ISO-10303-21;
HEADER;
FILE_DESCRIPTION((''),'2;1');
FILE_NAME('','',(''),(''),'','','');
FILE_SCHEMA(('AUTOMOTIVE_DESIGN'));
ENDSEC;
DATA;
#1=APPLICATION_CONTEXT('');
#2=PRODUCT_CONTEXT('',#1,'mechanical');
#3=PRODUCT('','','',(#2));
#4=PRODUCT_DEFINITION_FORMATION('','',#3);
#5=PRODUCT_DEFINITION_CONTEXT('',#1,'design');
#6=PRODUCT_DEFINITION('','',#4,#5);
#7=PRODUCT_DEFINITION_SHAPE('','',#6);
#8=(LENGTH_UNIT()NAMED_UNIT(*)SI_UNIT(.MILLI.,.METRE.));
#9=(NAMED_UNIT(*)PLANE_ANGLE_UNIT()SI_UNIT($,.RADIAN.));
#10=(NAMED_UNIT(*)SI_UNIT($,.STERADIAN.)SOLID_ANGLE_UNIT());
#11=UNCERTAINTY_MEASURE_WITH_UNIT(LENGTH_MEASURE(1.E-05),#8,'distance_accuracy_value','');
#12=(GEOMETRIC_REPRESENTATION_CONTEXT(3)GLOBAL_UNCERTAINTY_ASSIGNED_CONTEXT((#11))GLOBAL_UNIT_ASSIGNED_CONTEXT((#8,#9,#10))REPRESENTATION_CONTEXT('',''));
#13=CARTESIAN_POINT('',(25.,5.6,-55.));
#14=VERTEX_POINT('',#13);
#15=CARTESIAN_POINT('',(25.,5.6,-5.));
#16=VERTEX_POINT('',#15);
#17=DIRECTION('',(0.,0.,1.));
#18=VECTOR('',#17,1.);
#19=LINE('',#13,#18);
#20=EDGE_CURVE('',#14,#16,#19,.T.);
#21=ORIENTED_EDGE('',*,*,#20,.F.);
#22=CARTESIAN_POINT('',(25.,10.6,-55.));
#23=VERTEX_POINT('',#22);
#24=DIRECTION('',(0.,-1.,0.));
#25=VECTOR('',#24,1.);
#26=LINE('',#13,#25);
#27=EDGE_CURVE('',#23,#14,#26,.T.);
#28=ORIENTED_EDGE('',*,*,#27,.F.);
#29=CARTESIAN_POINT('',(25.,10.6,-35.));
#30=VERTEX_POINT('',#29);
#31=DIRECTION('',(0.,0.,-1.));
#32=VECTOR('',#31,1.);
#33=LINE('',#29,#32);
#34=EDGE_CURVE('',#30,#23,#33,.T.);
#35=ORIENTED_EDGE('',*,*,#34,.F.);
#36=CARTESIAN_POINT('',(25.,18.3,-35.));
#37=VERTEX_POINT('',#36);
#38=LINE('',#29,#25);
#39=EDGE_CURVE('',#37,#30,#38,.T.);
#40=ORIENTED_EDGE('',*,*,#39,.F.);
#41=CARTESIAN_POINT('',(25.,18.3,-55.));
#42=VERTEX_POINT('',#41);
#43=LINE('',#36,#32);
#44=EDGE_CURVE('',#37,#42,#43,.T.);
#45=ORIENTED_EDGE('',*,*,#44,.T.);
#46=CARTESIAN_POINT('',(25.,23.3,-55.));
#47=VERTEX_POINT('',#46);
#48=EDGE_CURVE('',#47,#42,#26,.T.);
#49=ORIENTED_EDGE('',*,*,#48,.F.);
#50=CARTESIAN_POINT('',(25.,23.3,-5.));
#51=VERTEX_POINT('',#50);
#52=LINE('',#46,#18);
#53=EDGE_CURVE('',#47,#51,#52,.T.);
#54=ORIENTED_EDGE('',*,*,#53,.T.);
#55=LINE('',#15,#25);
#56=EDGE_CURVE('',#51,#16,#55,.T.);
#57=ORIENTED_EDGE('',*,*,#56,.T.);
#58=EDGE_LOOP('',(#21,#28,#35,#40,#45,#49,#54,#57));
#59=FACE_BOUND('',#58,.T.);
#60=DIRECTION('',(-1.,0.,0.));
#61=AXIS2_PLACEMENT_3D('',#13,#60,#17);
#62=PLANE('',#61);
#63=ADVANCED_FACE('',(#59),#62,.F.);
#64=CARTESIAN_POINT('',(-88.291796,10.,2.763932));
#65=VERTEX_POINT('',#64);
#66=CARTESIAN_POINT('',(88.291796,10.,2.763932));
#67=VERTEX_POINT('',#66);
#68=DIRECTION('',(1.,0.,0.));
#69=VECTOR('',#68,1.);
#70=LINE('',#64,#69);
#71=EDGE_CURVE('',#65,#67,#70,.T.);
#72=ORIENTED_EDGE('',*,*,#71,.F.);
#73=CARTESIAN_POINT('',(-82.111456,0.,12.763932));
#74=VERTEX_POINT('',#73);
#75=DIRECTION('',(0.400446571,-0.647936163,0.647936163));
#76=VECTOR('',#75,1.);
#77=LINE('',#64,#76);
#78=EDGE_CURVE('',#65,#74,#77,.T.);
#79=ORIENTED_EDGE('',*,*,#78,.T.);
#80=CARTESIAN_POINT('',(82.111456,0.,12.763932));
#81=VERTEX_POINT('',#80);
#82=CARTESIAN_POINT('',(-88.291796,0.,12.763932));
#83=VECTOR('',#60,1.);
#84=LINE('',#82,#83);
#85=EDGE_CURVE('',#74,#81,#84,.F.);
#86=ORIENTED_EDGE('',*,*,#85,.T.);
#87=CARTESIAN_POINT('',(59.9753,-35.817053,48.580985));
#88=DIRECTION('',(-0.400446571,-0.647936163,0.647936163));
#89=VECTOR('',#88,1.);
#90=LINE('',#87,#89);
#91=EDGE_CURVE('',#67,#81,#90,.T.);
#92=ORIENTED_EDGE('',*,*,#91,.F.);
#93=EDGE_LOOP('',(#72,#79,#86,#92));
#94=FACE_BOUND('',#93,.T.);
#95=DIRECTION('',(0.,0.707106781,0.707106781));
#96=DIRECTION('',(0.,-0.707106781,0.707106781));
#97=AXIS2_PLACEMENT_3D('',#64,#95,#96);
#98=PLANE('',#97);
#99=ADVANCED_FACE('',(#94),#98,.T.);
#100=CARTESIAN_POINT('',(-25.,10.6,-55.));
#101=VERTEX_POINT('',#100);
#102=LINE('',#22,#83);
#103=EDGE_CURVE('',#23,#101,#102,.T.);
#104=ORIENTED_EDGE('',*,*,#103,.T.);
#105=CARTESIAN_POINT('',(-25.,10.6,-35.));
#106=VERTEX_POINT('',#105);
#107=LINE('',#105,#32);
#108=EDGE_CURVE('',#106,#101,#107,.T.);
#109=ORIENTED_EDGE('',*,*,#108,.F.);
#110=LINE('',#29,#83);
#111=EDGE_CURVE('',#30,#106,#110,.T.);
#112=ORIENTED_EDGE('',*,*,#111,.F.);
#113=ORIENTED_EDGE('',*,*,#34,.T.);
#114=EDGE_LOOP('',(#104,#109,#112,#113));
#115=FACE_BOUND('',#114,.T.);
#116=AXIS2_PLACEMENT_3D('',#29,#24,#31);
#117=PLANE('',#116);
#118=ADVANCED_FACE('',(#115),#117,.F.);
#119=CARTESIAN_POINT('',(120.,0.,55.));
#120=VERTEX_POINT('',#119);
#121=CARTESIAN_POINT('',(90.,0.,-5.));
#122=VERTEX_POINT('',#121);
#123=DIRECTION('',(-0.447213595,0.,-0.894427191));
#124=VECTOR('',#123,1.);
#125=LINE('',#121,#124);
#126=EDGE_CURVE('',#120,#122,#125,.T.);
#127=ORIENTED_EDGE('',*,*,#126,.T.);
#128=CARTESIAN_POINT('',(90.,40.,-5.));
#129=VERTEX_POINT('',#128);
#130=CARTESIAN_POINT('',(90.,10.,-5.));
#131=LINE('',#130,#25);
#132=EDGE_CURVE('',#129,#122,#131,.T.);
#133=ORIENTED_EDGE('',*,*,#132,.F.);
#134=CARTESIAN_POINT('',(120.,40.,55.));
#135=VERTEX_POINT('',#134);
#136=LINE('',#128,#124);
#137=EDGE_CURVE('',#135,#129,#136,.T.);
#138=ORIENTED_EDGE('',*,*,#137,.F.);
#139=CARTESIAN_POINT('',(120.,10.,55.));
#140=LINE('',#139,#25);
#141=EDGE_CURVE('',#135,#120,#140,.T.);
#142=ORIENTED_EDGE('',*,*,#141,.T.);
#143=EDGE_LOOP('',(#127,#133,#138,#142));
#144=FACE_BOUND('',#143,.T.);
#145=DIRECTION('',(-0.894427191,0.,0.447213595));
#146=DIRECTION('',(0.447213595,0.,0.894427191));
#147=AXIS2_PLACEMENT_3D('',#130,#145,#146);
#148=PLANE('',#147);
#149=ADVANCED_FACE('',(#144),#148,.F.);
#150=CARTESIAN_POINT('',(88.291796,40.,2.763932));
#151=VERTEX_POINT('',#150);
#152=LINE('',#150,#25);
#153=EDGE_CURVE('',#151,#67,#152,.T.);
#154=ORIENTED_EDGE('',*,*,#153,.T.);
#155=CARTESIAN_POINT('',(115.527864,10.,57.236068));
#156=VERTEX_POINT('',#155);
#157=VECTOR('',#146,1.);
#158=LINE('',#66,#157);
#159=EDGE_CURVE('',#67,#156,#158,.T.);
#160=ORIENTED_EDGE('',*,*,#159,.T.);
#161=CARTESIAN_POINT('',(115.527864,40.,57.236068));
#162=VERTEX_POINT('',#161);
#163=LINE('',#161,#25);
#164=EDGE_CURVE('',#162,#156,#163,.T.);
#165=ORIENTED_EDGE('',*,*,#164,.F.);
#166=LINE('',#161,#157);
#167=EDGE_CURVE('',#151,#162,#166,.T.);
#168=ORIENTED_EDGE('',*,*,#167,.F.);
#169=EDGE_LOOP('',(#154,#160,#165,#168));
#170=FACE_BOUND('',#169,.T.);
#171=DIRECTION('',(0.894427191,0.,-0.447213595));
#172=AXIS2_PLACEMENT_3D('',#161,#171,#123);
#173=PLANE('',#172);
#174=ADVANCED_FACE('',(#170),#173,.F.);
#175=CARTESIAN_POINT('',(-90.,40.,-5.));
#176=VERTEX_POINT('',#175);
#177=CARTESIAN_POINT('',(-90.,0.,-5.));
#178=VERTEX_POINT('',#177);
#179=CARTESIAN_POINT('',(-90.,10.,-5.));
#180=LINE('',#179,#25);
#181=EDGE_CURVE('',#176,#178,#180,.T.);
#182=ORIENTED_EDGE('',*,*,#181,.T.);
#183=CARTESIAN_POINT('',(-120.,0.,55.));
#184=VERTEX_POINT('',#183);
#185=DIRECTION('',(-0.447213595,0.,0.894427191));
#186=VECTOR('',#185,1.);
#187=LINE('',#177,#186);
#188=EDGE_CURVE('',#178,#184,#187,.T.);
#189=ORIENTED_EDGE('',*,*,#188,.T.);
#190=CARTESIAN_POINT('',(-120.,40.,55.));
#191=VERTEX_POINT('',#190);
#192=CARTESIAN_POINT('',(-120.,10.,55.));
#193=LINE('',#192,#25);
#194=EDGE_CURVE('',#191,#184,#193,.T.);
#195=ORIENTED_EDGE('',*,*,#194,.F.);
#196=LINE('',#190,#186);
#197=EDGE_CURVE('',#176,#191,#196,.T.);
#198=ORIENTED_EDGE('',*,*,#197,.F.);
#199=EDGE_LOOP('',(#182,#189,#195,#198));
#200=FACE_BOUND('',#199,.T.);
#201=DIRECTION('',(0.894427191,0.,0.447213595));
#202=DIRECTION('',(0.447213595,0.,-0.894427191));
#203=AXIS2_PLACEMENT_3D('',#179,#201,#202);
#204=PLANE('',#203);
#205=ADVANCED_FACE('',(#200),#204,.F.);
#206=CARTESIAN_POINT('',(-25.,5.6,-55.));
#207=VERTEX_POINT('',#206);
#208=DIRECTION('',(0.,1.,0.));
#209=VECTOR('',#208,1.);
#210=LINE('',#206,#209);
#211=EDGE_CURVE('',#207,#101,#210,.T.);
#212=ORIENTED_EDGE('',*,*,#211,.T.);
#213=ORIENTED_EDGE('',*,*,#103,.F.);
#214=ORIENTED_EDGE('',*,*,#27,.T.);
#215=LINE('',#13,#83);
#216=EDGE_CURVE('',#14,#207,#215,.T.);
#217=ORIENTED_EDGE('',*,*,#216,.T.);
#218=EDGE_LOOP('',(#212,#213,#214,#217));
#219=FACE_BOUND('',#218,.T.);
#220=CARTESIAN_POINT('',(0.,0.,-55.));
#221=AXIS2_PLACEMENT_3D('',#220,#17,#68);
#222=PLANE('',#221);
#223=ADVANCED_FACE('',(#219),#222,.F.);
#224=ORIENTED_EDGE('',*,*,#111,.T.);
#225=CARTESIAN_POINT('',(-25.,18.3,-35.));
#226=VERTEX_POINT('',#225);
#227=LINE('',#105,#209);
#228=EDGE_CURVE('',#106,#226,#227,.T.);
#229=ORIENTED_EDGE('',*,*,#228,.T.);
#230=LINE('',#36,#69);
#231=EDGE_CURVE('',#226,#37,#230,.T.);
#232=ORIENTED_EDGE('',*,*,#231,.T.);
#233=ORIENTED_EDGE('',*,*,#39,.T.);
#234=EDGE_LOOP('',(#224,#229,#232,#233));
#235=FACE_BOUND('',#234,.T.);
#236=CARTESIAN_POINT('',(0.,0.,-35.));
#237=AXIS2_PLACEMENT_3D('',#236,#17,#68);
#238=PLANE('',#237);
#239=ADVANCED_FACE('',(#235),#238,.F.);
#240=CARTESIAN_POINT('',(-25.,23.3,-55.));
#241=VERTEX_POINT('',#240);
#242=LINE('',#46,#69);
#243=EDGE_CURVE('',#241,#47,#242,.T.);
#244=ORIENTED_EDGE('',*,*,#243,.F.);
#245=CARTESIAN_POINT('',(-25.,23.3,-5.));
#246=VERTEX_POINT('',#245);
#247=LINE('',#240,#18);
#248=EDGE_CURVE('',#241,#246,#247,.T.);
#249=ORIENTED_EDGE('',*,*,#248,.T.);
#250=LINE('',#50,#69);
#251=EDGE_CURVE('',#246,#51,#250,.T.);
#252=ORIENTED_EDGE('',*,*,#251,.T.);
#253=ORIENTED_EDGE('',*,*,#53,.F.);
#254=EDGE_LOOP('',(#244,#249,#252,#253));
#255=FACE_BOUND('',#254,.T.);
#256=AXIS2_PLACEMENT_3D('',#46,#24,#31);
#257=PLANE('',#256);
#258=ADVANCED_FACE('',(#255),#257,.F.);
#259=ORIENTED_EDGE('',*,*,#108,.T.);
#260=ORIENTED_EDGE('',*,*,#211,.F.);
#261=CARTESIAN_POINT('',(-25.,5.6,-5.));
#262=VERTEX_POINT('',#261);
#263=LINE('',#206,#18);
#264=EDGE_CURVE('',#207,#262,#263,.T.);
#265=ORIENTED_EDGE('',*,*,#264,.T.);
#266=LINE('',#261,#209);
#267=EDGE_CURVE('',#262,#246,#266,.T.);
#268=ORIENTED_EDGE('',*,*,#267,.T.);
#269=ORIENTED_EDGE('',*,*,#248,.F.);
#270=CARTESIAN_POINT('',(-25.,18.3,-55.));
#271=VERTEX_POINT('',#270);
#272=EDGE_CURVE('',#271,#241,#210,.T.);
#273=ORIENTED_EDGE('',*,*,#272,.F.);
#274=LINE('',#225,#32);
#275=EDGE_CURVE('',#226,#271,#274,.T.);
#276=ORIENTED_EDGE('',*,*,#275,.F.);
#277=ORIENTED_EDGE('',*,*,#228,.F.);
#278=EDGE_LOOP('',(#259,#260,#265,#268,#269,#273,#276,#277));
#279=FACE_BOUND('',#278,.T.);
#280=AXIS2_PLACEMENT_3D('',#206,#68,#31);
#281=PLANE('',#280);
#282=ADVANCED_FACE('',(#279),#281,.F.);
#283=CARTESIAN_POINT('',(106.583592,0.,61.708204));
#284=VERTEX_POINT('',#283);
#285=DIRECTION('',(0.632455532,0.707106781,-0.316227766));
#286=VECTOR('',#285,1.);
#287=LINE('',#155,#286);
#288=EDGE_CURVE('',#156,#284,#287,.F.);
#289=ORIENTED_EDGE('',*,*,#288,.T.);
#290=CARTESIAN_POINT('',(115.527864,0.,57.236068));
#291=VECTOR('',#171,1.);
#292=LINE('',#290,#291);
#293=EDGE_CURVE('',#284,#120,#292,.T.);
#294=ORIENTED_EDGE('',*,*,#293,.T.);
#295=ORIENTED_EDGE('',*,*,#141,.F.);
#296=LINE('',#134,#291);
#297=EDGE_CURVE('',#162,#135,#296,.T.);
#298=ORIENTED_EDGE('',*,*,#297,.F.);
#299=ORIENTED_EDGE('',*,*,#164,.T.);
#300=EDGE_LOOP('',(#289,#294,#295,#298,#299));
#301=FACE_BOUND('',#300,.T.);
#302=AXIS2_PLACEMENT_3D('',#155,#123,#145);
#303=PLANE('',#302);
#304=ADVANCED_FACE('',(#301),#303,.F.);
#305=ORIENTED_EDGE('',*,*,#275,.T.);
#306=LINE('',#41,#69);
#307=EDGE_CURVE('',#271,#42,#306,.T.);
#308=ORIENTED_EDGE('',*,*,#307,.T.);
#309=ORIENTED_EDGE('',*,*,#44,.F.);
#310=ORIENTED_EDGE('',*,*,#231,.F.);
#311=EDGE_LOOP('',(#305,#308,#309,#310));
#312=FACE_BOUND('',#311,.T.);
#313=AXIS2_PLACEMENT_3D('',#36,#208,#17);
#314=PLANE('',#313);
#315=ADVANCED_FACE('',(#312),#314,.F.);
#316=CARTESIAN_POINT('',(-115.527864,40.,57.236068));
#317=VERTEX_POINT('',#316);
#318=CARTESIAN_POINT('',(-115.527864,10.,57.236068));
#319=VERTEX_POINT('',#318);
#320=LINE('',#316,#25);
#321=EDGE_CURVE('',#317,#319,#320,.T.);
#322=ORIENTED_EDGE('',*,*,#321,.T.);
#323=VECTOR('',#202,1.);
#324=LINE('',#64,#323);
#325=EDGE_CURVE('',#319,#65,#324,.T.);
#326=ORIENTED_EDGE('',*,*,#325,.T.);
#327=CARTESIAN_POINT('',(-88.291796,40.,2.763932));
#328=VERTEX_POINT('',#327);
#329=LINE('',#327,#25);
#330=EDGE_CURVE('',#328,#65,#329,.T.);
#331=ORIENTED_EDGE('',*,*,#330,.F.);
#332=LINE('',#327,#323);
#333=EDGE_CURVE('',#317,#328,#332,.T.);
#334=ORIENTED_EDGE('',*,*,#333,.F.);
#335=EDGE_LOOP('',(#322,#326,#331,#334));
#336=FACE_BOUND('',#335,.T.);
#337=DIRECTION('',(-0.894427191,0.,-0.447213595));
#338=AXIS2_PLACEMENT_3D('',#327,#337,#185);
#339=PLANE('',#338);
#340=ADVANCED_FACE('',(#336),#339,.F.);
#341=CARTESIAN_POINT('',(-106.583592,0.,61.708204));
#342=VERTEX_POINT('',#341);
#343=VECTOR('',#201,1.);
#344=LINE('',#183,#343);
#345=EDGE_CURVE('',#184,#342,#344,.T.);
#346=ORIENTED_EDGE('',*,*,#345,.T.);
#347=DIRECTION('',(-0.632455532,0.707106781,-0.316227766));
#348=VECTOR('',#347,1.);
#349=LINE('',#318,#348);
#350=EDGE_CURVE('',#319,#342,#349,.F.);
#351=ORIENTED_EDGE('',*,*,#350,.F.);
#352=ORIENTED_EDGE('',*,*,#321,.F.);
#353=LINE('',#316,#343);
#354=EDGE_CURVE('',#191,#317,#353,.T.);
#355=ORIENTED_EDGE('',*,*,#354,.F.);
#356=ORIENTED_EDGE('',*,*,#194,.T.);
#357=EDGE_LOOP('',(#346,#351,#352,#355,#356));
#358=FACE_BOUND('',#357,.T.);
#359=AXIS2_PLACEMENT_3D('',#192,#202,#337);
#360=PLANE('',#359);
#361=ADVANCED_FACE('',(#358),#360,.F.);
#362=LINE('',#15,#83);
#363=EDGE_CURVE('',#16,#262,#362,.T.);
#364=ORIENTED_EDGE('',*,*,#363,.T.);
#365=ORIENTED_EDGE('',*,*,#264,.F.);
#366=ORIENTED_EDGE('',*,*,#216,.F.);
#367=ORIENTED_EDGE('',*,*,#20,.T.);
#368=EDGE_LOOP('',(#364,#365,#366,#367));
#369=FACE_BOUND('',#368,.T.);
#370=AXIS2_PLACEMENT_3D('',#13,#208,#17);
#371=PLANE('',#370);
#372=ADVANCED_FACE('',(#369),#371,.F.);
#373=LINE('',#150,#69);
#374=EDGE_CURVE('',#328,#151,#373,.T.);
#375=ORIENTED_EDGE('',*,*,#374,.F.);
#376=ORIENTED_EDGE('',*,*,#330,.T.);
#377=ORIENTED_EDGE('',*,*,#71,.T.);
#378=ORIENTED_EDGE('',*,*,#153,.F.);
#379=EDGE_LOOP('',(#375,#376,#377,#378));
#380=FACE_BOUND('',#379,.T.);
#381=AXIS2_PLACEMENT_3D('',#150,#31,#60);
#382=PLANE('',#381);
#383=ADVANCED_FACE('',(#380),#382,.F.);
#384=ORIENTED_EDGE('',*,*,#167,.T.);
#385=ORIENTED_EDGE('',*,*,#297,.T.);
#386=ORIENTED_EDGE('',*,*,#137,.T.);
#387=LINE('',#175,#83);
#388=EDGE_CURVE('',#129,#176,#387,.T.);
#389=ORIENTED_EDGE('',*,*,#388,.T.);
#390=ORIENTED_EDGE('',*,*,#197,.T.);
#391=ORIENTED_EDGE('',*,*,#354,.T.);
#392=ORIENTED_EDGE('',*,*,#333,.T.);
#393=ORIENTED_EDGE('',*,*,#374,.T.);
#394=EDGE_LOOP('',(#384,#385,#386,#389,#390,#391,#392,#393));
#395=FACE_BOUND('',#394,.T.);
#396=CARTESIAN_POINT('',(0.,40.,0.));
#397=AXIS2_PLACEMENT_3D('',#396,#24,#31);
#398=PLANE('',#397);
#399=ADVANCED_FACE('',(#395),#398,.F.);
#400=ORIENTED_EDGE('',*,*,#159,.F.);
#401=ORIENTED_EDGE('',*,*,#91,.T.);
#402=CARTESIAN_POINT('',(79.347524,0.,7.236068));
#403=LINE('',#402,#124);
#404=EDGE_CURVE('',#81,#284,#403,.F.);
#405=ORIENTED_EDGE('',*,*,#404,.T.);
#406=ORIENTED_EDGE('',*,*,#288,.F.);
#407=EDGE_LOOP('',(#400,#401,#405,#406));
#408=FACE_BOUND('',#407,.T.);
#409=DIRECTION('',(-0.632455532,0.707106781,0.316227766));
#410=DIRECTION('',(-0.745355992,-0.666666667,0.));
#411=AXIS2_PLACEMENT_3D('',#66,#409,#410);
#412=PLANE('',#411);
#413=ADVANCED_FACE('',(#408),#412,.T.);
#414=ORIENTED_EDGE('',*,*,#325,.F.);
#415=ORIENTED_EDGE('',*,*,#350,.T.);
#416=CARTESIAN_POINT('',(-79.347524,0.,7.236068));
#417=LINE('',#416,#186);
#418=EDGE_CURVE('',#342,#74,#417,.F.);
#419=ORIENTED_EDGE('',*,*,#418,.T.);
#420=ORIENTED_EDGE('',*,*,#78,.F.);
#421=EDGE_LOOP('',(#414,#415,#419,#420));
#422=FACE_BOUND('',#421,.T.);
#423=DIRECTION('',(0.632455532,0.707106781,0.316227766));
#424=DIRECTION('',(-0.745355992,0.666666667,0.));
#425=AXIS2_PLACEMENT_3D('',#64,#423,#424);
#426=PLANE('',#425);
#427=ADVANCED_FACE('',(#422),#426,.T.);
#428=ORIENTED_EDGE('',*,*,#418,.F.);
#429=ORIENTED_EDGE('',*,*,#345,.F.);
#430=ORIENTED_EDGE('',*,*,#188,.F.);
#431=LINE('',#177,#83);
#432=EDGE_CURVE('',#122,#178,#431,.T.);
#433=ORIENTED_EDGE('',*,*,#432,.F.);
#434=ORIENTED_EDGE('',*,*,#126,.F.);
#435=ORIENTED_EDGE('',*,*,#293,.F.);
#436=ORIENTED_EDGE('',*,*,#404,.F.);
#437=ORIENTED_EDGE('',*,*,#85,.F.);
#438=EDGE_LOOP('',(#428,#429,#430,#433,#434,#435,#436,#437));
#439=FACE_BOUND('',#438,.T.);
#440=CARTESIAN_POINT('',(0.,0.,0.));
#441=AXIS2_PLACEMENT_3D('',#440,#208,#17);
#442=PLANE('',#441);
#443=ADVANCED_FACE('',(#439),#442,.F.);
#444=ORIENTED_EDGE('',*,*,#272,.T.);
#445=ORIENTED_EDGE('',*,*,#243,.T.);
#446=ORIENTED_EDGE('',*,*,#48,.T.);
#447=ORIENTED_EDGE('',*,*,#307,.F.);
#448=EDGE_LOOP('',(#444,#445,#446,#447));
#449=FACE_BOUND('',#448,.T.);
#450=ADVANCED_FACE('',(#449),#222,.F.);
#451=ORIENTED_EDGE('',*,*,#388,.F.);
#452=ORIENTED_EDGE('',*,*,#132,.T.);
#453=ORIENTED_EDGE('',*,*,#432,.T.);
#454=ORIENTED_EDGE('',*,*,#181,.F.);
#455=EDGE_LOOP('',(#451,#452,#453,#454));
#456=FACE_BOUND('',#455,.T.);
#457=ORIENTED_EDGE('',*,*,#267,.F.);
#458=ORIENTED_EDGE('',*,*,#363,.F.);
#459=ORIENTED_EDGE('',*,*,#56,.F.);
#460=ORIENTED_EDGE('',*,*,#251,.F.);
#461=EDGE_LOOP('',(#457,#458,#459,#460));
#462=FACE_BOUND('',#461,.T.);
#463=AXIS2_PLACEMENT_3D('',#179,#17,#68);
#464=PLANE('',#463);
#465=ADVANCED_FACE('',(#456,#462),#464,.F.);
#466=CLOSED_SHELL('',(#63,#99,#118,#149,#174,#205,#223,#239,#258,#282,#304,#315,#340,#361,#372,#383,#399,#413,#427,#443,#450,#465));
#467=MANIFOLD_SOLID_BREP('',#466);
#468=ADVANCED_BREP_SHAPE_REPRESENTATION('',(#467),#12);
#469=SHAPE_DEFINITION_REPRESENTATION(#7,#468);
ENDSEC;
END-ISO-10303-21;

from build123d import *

# Parameters (mm, degrees)
BOSS_EXTRUDE1_DEPTH = 10
DRAFT1_ANGLE        = 45
BOSS_EXTRUDE2_DEPTH = 30
SKETCH6_W           = 50
SKETCH6_H           = 17.7
BOSS_EXTRUDE3_DEPTH = 50
SKETCH7_W           = 50
SKETCH7_H           = 7.7
CUT_EXTRUDE4_DEPTH  = 20


with BuildPart() as part:
    # Sketch2 → Boss-Extrude1 (new body)
    with BuildSketch(Plane(origin=(0, 0, 0), x_dir=(1, 0, 0), z_dir=(0, 1, 0))):
        Polygon((-90, 5), (90, 5), (120, -55), (115.527864045, -57.236067977), (88.291796068, -2.763932023), (-88.291796068, -2.763932023), (-115.527864045, -57.236067977), (-120, -55), align=None)
    extrude(amount=BOSS_EXTRUDE1_DEPTH)

    # Draft1
    draft1_faces = [part.faces().sort_by_distance(p)[0] for p in [
        (101.909830056, 5, 30),
        (0, 5, 2.763932023),
        (-101.909830056, 5, 30),
    ]]
    draft(draft1_faces, Plane.ZX.offset(10), DRAFT1_ANGLE)

    # Sketch5 → Boss-Extrude2 (add)
    with BuildSketch(Plane(origin=(0, 10, 0), x_dir=(1, 0, 0), z_dir=(0, 1, 0))):
        Polygon((-120, -55), (-90, 5), (90, 5), (120, -55), (115.527864045, -57.236067977), (88.291796068, -2.763932023), (-88.291796068, -2.763932023), (-115.527864045, -57.236067977), align=None)
    extrude(amount=BOSS_EXTRUDE2_DEPTH)

    # Sketch6 → Boss-Extrude3 (add)
    with BuildSketch(Plane(origin=(0, 0, -5), x_dir=(-1, 0, 0), z_dir=(0, 0, -1))):
        with Locations((0, 14.45)):
            Rectangle(SKETCH6_W, SKETCH6_H)
    extrude(amount=BOSS_EXTRUDE3_DEPTH)

    # Sketch7 → Cut-Extrude4 (cut)
    with BuildSketch(Plane(origin=(0, 0, -55), x_dir=(-1, 0, 0), z_dir=(0, 0, -1))):
        with Locations((0, 14.45)):
            Rectangle(SKETCH7_W, SKETCH7_H)
    extrude(amount=-CUT_EXTRUDE4_DEPTH, mode=Mode.SUBTRACT)


solid = part.part
